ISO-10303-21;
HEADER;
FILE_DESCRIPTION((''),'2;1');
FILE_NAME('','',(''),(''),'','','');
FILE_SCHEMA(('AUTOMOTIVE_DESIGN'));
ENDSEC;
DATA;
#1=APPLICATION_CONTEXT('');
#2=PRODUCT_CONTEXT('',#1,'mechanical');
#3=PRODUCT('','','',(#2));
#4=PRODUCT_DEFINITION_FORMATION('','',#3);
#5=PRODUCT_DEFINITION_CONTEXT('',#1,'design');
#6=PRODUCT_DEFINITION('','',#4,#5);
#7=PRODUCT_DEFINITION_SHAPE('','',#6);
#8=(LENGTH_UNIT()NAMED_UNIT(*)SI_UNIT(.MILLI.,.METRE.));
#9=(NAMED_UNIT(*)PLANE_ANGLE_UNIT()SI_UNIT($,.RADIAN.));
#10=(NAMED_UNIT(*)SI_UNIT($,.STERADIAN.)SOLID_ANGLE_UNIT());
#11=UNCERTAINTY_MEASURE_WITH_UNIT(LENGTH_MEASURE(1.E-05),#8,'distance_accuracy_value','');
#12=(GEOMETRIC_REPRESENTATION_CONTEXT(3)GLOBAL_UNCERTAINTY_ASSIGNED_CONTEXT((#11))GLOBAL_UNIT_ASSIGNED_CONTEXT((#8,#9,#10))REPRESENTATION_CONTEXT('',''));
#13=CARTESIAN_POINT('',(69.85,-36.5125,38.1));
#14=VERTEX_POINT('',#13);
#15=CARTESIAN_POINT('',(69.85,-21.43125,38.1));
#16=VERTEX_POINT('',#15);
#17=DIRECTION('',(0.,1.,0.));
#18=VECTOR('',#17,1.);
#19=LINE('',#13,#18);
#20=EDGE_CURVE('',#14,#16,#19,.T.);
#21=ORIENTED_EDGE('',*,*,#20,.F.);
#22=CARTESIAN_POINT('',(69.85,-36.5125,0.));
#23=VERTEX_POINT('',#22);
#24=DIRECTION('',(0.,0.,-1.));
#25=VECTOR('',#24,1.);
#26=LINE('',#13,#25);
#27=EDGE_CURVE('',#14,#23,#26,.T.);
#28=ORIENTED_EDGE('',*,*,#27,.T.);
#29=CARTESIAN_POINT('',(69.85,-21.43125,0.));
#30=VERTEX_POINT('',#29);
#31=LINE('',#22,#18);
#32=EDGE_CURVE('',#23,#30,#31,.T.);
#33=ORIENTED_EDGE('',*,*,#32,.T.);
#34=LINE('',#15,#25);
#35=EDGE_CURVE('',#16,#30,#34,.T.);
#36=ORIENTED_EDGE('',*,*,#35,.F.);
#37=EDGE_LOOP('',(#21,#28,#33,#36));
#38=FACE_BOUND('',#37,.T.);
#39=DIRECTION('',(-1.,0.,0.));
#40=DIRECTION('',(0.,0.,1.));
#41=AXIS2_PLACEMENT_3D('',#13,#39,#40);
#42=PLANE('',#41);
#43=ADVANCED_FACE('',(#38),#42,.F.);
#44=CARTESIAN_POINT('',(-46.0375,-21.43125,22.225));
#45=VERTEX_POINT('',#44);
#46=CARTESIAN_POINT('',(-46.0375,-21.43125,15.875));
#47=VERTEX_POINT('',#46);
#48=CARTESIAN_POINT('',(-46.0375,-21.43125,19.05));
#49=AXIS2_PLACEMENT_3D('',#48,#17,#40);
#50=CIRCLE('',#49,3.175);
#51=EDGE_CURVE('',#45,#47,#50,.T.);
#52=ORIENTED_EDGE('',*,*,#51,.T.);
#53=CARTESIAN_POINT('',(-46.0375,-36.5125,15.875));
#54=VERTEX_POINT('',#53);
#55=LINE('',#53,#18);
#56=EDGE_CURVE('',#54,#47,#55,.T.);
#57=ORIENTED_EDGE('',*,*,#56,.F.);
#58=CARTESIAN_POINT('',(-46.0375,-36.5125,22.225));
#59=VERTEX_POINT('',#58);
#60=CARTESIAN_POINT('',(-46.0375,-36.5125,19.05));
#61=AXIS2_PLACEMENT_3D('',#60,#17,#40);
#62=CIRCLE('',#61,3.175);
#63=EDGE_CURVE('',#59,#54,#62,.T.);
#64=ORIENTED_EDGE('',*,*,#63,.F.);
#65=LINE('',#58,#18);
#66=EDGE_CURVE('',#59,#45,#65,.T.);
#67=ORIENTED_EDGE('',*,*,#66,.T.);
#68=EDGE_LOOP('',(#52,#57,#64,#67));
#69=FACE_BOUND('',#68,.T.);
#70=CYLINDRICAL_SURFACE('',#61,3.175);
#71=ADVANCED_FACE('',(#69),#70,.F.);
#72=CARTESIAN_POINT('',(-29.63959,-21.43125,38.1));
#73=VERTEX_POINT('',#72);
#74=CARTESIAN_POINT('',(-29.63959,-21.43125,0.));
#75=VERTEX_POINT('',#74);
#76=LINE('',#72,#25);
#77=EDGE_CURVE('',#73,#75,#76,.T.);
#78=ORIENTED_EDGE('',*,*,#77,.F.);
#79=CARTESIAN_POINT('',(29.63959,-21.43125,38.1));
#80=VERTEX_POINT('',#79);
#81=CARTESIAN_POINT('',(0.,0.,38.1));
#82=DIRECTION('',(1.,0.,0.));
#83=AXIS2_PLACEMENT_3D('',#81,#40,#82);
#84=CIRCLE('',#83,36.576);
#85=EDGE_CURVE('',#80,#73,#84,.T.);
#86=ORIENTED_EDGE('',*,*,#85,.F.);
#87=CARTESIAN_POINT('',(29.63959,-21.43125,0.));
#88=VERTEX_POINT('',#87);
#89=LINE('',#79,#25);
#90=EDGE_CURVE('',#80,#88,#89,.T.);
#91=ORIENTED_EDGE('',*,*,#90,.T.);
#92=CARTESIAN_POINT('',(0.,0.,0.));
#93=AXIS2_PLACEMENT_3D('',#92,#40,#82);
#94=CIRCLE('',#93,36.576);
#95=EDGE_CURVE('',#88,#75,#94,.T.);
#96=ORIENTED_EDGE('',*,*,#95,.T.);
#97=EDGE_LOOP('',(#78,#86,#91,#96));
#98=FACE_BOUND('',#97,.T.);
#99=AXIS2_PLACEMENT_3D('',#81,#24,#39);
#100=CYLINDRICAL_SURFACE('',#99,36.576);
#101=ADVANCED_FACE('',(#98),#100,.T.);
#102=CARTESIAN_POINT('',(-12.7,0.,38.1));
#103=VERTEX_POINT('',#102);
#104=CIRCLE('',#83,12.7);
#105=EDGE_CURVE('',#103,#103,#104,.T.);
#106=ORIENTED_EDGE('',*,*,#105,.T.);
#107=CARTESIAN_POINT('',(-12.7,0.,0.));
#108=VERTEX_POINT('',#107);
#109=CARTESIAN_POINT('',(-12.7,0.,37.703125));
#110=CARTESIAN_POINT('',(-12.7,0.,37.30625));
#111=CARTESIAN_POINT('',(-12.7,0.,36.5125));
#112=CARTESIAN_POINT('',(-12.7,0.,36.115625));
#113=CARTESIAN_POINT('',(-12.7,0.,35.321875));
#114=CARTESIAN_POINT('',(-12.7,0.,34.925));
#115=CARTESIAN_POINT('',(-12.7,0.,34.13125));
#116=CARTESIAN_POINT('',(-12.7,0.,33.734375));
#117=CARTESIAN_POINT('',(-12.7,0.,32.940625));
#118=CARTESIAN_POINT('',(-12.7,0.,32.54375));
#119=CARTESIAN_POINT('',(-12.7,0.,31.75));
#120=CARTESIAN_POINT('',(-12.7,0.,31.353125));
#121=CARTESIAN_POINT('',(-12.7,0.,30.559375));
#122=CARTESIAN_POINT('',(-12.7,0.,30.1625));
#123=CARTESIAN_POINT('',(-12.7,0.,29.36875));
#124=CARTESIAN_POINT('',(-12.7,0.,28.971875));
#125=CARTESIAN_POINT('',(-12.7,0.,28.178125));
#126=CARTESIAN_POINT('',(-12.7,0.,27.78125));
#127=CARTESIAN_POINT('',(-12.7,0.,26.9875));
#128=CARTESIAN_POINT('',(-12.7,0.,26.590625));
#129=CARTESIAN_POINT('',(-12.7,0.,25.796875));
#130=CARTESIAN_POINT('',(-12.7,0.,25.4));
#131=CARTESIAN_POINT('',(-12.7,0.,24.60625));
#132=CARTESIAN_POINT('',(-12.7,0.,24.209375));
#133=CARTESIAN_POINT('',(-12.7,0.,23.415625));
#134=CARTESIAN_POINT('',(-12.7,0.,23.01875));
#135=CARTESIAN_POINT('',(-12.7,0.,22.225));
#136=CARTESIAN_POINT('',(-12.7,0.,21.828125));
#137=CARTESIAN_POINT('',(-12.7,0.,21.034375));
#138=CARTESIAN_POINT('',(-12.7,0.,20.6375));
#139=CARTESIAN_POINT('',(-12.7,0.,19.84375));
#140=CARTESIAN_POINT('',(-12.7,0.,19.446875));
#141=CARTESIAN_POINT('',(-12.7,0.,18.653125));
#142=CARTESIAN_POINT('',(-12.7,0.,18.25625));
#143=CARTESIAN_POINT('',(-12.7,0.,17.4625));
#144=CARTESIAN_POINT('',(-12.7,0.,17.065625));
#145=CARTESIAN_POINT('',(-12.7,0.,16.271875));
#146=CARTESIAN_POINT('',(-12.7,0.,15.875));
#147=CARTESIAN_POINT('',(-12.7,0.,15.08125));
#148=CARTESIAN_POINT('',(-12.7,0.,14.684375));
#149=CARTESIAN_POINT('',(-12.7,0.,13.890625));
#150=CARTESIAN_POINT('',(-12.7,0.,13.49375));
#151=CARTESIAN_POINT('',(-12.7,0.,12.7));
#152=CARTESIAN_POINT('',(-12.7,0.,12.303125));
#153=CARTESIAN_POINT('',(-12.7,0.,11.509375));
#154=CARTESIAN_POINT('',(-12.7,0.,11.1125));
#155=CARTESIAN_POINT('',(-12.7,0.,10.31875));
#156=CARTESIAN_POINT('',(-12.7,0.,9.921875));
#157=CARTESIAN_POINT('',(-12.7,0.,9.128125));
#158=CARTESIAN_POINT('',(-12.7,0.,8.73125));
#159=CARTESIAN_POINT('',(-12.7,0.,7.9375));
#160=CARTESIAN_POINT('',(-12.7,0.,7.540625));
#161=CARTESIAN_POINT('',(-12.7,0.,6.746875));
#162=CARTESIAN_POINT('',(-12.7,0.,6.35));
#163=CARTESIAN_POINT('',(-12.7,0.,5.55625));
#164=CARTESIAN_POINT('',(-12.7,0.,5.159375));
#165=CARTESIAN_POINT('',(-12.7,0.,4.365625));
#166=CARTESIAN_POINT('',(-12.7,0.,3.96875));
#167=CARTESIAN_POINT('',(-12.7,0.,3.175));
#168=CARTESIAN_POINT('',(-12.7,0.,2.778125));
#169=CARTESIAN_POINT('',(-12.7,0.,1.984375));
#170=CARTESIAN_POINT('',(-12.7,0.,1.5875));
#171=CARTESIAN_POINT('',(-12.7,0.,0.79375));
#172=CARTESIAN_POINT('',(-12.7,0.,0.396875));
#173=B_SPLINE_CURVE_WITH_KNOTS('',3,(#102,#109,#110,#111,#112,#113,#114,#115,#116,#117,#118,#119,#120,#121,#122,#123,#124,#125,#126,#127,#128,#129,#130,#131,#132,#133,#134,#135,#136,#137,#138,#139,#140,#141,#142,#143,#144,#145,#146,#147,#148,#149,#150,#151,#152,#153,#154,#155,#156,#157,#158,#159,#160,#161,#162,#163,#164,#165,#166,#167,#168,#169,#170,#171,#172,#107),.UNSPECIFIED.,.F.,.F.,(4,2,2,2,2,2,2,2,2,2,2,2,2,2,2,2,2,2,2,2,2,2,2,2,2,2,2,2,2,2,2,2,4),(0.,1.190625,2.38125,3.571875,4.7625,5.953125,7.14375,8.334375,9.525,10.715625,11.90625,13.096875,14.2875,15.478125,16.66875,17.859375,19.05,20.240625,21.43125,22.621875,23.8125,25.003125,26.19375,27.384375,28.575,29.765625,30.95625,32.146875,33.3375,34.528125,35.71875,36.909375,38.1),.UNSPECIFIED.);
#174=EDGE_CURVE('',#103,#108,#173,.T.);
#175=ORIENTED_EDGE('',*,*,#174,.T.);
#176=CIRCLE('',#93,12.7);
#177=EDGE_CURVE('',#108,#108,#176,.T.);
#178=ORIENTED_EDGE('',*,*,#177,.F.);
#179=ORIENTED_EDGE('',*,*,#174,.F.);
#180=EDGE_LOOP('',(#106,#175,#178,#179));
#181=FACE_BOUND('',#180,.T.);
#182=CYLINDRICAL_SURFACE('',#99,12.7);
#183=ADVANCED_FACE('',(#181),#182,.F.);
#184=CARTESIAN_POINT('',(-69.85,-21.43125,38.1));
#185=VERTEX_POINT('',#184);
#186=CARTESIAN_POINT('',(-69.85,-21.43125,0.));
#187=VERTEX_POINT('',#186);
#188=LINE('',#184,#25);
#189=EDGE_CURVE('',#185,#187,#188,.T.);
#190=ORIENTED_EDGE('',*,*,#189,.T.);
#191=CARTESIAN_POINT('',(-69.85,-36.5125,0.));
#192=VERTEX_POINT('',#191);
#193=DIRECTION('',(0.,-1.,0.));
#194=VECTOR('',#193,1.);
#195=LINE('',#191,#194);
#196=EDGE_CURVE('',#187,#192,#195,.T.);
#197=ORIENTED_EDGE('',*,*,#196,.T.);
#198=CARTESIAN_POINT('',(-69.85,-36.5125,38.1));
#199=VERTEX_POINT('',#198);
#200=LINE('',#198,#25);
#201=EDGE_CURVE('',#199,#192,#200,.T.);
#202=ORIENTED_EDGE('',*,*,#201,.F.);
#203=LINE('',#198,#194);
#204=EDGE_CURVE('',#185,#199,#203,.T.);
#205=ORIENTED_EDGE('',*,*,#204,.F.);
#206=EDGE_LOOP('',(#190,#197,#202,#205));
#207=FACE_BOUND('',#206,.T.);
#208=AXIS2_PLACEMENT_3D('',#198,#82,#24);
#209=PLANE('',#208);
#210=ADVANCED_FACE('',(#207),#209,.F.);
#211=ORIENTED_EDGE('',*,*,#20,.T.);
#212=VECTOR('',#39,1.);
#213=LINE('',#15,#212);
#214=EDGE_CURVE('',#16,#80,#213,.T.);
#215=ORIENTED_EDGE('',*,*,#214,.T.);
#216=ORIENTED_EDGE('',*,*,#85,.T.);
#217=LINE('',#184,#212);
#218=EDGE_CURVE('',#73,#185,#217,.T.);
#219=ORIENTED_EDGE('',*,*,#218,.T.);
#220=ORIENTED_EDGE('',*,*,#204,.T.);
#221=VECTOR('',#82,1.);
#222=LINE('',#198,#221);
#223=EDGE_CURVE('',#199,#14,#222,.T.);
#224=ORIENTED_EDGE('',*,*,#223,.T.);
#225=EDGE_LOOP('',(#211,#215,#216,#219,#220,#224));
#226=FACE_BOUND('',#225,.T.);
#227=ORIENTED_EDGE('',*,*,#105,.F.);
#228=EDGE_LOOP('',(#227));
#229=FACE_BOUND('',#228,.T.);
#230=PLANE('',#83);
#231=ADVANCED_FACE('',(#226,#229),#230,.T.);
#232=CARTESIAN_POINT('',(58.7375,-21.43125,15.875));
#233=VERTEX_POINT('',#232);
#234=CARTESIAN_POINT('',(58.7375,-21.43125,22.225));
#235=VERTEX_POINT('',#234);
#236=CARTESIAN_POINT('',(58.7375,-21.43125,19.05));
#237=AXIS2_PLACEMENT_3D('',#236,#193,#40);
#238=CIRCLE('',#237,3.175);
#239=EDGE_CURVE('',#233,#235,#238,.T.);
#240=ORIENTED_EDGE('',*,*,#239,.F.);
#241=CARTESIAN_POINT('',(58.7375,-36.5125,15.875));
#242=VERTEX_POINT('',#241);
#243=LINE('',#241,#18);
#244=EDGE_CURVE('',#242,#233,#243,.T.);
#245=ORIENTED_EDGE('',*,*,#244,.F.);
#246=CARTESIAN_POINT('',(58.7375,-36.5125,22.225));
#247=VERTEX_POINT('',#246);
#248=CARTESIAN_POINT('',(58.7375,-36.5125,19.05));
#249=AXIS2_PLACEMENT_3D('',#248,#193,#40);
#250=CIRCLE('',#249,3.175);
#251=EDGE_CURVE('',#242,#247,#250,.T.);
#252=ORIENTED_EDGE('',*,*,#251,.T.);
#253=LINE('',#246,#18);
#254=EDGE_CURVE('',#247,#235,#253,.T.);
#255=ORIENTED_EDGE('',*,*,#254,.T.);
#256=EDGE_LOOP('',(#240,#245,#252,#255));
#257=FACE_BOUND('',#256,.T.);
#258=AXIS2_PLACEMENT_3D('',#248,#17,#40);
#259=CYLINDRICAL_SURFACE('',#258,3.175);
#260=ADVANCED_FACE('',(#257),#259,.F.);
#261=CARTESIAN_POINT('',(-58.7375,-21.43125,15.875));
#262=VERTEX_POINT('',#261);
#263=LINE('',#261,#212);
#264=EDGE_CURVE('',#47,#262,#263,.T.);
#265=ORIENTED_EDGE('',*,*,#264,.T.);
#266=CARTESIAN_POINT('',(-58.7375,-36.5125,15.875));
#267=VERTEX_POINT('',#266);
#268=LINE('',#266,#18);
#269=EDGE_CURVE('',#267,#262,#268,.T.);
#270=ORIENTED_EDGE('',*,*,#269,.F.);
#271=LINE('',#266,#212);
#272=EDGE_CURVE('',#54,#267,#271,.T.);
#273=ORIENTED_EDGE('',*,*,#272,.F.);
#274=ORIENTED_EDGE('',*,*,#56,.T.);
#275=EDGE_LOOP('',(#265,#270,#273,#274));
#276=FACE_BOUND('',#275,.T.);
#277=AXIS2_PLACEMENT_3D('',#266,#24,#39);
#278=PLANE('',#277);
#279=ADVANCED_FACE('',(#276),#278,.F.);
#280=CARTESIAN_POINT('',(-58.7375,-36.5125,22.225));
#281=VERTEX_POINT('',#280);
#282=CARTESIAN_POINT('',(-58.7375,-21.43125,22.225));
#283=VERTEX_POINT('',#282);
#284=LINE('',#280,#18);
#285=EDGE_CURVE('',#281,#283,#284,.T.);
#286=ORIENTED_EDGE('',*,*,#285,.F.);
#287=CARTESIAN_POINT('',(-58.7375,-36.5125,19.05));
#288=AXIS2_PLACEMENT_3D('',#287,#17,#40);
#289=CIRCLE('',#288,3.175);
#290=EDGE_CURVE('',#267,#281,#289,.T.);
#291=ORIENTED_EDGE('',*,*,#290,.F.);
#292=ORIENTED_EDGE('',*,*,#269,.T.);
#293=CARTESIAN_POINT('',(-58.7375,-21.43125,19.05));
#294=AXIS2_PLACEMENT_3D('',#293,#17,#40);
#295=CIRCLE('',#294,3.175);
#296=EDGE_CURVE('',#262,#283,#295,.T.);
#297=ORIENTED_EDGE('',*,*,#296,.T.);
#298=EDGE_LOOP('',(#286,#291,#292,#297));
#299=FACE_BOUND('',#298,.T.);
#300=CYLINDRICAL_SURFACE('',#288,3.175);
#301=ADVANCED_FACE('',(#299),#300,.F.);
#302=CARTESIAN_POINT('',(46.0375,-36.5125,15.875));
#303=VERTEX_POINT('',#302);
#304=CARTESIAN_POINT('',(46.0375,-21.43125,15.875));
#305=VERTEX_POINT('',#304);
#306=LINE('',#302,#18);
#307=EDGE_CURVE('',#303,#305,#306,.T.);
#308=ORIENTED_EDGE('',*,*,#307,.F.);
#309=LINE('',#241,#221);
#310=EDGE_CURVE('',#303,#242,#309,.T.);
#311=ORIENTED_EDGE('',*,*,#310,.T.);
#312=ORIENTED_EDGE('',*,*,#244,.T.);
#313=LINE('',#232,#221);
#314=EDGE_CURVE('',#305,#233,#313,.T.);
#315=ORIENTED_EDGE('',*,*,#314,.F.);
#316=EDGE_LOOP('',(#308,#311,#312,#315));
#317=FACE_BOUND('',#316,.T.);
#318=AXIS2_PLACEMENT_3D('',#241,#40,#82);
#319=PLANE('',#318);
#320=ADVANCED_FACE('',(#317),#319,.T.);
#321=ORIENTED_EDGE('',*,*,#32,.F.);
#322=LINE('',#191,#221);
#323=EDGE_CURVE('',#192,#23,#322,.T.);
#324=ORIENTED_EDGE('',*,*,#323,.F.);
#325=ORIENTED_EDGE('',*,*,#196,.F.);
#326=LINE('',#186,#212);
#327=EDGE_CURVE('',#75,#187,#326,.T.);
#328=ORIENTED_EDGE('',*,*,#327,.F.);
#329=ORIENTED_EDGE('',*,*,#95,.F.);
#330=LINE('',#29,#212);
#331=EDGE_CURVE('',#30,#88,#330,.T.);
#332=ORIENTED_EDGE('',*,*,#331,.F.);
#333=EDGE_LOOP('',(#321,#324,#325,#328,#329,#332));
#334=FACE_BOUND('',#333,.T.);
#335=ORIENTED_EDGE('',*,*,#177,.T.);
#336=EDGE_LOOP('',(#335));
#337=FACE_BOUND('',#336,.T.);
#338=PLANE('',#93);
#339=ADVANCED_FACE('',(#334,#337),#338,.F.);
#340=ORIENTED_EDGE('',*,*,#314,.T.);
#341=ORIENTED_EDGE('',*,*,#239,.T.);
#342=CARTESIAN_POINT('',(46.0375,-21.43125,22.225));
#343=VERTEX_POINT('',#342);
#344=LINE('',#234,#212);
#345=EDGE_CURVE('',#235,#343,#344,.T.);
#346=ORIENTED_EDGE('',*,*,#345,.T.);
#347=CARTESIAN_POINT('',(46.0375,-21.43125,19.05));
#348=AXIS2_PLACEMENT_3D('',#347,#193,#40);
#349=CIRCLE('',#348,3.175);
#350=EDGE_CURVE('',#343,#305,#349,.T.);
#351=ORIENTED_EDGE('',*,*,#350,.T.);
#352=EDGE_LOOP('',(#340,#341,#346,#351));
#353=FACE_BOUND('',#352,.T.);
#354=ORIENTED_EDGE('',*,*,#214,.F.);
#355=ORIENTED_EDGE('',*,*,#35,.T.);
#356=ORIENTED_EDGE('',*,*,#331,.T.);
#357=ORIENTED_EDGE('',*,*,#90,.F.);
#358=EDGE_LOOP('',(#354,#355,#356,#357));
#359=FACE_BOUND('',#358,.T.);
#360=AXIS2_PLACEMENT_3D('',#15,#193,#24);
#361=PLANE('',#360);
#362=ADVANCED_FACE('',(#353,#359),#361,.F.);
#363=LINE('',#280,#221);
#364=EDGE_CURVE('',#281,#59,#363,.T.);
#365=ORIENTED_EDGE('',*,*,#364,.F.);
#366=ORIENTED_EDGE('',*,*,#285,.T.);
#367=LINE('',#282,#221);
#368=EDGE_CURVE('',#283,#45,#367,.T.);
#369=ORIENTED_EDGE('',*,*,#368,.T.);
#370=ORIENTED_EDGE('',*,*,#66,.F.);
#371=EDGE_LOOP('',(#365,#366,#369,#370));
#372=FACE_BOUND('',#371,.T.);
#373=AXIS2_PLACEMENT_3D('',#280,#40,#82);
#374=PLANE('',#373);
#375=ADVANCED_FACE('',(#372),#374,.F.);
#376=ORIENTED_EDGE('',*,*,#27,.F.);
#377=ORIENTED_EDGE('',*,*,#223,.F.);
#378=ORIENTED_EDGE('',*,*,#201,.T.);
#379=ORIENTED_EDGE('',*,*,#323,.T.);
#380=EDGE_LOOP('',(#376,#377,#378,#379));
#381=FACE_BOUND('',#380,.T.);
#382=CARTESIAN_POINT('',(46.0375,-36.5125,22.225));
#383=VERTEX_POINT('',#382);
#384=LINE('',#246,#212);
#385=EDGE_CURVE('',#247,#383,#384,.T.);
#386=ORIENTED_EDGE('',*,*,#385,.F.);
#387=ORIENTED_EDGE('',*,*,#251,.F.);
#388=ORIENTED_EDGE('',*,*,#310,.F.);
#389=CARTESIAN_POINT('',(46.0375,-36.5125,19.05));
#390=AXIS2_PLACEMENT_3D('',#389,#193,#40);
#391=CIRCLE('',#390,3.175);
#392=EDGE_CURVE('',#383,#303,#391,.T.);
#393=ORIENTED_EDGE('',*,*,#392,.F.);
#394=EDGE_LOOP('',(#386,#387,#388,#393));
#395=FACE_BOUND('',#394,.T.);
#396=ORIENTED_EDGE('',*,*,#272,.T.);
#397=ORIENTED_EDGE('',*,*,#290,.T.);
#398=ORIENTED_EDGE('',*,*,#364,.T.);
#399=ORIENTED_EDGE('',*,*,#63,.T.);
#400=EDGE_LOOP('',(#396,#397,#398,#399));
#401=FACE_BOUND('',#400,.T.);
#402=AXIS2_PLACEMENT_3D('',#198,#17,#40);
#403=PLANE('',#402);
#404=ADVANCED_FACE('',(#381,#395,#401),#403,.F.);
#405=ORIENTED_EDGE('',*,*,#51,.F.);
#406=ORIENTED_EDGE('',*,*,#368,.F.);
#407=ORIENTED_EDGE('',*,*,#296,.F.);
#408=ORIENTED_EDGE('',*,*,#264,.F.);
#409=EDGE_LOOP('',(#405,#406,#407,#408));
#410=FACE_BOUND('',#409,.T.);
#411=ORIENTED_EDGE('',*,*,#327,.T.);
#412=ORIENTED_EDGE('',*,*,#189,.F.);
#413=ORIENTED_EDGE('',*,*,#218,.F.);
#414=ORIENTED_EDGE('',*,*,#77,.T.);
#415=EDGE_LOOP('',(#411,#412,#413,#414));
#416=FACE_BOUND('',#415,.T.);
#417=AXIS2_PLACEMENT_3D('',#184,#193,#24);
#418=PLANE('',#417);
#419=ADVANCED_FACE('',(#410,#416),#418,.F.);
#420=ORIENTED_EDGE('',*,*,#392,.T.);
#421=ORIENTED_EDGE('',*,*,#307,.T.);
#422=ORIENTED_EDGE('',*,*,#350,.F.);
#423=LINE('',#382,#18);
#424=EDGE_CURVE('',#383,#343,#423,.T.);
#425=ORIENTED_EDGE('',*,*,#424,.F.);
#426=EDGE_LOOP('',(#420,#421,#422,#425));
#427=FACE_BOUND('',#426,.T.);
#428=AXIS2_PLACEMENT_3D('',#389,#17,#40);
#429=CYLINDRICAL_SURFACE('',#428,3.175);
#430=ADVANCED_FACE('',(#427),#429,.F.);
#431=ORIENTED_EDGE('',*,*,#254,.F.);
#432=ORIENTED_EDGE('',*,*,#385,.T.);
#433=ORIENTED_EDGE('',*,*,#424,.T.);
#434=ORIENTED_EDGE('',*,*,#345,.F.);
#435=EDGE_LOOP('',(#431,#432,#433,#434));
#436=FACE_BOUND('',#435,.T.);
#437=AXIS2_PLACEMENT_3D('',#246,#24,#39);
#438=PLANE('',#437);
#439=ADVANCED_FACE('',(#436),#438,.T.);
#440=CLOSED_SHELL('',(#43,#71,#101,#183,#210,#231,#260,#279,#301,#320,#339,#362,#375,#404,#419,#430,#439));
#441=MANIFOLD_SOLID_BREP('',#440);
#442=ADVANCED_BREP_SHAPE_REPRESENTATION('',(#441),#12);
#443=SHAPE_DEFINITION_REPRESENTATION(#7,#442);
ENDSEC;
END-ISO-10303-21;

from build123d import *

# Parameters (mm, degrees)
SKETCH2_R           = 12.7
BOSS_EXTRUDE1_DEPTH = 38.1
CUT_EXTRUDE1_DEPTH  = 99.465595781


with BuildPart() as part:
    # Sketch2 → Boss-Extrude1 (new body)
    with BuildSketch(Plane.XY):
        with BuildLine():
            Line((-69.85, -36.5125), (69.85, -36.5125))
            Line((69.85, -36.5125), (69.85, -21.43125))
            Line((69.85, -21.43125), (29.639590069, -21.43125))
            ThreePointArc((29.639590069, -21.43125), (0, 36.576), (-29.639590069, -21.43125))
            Line((-29.639590069, -21.43125), (-69.85, -21.43125))
            Line((-69.85, -21.43125), (-69.85, -36.5125))
        make_face()
        with Locations(Location((0, 0, 0), (0, 0, 180))):
            Circle(SKETCH2_R, mode=Mode.SUBTRACT)
    extrude(amount=BOSS_EXTRUDE1_DEPTH)

    # Sketch3 → Cut-Extrude1 (cut, through all)
    with BuildSketch(Plane(origin=(0, -21.43125, 0), x_dir=(1, 0, 0), z_dir=(0, 1, 0))):
        with BuildLine():
            Line((-58.7375, -15.875), (-46.0375, -15.875))
            ThreePointArc((-46.0375, -15.875), (-42.8625, -19.05), (-46.0375, -22.225))
            Line((-46.0375, -22.225), (-58.7375, -22.225))
            ThreePointArc((-58.7375, -22.225), (-61.9125, -19.05), (-58.7375, -15.875))
        make_face()
    cut_extrude1 = extrude(amount=-CUT_EXTRUDE1_DEPTH, mode=Mode.SUBTRACT)

    # Mirror1: Cut-Extrude1 across plane
    add(cut_extrude1.mirror(Plane(origin=(0, 0, 0), x_dir=(0, 0, 1), z_dir=(1, 0, 0))), mode=Mode.SUBTRACT)


solid = part.part
